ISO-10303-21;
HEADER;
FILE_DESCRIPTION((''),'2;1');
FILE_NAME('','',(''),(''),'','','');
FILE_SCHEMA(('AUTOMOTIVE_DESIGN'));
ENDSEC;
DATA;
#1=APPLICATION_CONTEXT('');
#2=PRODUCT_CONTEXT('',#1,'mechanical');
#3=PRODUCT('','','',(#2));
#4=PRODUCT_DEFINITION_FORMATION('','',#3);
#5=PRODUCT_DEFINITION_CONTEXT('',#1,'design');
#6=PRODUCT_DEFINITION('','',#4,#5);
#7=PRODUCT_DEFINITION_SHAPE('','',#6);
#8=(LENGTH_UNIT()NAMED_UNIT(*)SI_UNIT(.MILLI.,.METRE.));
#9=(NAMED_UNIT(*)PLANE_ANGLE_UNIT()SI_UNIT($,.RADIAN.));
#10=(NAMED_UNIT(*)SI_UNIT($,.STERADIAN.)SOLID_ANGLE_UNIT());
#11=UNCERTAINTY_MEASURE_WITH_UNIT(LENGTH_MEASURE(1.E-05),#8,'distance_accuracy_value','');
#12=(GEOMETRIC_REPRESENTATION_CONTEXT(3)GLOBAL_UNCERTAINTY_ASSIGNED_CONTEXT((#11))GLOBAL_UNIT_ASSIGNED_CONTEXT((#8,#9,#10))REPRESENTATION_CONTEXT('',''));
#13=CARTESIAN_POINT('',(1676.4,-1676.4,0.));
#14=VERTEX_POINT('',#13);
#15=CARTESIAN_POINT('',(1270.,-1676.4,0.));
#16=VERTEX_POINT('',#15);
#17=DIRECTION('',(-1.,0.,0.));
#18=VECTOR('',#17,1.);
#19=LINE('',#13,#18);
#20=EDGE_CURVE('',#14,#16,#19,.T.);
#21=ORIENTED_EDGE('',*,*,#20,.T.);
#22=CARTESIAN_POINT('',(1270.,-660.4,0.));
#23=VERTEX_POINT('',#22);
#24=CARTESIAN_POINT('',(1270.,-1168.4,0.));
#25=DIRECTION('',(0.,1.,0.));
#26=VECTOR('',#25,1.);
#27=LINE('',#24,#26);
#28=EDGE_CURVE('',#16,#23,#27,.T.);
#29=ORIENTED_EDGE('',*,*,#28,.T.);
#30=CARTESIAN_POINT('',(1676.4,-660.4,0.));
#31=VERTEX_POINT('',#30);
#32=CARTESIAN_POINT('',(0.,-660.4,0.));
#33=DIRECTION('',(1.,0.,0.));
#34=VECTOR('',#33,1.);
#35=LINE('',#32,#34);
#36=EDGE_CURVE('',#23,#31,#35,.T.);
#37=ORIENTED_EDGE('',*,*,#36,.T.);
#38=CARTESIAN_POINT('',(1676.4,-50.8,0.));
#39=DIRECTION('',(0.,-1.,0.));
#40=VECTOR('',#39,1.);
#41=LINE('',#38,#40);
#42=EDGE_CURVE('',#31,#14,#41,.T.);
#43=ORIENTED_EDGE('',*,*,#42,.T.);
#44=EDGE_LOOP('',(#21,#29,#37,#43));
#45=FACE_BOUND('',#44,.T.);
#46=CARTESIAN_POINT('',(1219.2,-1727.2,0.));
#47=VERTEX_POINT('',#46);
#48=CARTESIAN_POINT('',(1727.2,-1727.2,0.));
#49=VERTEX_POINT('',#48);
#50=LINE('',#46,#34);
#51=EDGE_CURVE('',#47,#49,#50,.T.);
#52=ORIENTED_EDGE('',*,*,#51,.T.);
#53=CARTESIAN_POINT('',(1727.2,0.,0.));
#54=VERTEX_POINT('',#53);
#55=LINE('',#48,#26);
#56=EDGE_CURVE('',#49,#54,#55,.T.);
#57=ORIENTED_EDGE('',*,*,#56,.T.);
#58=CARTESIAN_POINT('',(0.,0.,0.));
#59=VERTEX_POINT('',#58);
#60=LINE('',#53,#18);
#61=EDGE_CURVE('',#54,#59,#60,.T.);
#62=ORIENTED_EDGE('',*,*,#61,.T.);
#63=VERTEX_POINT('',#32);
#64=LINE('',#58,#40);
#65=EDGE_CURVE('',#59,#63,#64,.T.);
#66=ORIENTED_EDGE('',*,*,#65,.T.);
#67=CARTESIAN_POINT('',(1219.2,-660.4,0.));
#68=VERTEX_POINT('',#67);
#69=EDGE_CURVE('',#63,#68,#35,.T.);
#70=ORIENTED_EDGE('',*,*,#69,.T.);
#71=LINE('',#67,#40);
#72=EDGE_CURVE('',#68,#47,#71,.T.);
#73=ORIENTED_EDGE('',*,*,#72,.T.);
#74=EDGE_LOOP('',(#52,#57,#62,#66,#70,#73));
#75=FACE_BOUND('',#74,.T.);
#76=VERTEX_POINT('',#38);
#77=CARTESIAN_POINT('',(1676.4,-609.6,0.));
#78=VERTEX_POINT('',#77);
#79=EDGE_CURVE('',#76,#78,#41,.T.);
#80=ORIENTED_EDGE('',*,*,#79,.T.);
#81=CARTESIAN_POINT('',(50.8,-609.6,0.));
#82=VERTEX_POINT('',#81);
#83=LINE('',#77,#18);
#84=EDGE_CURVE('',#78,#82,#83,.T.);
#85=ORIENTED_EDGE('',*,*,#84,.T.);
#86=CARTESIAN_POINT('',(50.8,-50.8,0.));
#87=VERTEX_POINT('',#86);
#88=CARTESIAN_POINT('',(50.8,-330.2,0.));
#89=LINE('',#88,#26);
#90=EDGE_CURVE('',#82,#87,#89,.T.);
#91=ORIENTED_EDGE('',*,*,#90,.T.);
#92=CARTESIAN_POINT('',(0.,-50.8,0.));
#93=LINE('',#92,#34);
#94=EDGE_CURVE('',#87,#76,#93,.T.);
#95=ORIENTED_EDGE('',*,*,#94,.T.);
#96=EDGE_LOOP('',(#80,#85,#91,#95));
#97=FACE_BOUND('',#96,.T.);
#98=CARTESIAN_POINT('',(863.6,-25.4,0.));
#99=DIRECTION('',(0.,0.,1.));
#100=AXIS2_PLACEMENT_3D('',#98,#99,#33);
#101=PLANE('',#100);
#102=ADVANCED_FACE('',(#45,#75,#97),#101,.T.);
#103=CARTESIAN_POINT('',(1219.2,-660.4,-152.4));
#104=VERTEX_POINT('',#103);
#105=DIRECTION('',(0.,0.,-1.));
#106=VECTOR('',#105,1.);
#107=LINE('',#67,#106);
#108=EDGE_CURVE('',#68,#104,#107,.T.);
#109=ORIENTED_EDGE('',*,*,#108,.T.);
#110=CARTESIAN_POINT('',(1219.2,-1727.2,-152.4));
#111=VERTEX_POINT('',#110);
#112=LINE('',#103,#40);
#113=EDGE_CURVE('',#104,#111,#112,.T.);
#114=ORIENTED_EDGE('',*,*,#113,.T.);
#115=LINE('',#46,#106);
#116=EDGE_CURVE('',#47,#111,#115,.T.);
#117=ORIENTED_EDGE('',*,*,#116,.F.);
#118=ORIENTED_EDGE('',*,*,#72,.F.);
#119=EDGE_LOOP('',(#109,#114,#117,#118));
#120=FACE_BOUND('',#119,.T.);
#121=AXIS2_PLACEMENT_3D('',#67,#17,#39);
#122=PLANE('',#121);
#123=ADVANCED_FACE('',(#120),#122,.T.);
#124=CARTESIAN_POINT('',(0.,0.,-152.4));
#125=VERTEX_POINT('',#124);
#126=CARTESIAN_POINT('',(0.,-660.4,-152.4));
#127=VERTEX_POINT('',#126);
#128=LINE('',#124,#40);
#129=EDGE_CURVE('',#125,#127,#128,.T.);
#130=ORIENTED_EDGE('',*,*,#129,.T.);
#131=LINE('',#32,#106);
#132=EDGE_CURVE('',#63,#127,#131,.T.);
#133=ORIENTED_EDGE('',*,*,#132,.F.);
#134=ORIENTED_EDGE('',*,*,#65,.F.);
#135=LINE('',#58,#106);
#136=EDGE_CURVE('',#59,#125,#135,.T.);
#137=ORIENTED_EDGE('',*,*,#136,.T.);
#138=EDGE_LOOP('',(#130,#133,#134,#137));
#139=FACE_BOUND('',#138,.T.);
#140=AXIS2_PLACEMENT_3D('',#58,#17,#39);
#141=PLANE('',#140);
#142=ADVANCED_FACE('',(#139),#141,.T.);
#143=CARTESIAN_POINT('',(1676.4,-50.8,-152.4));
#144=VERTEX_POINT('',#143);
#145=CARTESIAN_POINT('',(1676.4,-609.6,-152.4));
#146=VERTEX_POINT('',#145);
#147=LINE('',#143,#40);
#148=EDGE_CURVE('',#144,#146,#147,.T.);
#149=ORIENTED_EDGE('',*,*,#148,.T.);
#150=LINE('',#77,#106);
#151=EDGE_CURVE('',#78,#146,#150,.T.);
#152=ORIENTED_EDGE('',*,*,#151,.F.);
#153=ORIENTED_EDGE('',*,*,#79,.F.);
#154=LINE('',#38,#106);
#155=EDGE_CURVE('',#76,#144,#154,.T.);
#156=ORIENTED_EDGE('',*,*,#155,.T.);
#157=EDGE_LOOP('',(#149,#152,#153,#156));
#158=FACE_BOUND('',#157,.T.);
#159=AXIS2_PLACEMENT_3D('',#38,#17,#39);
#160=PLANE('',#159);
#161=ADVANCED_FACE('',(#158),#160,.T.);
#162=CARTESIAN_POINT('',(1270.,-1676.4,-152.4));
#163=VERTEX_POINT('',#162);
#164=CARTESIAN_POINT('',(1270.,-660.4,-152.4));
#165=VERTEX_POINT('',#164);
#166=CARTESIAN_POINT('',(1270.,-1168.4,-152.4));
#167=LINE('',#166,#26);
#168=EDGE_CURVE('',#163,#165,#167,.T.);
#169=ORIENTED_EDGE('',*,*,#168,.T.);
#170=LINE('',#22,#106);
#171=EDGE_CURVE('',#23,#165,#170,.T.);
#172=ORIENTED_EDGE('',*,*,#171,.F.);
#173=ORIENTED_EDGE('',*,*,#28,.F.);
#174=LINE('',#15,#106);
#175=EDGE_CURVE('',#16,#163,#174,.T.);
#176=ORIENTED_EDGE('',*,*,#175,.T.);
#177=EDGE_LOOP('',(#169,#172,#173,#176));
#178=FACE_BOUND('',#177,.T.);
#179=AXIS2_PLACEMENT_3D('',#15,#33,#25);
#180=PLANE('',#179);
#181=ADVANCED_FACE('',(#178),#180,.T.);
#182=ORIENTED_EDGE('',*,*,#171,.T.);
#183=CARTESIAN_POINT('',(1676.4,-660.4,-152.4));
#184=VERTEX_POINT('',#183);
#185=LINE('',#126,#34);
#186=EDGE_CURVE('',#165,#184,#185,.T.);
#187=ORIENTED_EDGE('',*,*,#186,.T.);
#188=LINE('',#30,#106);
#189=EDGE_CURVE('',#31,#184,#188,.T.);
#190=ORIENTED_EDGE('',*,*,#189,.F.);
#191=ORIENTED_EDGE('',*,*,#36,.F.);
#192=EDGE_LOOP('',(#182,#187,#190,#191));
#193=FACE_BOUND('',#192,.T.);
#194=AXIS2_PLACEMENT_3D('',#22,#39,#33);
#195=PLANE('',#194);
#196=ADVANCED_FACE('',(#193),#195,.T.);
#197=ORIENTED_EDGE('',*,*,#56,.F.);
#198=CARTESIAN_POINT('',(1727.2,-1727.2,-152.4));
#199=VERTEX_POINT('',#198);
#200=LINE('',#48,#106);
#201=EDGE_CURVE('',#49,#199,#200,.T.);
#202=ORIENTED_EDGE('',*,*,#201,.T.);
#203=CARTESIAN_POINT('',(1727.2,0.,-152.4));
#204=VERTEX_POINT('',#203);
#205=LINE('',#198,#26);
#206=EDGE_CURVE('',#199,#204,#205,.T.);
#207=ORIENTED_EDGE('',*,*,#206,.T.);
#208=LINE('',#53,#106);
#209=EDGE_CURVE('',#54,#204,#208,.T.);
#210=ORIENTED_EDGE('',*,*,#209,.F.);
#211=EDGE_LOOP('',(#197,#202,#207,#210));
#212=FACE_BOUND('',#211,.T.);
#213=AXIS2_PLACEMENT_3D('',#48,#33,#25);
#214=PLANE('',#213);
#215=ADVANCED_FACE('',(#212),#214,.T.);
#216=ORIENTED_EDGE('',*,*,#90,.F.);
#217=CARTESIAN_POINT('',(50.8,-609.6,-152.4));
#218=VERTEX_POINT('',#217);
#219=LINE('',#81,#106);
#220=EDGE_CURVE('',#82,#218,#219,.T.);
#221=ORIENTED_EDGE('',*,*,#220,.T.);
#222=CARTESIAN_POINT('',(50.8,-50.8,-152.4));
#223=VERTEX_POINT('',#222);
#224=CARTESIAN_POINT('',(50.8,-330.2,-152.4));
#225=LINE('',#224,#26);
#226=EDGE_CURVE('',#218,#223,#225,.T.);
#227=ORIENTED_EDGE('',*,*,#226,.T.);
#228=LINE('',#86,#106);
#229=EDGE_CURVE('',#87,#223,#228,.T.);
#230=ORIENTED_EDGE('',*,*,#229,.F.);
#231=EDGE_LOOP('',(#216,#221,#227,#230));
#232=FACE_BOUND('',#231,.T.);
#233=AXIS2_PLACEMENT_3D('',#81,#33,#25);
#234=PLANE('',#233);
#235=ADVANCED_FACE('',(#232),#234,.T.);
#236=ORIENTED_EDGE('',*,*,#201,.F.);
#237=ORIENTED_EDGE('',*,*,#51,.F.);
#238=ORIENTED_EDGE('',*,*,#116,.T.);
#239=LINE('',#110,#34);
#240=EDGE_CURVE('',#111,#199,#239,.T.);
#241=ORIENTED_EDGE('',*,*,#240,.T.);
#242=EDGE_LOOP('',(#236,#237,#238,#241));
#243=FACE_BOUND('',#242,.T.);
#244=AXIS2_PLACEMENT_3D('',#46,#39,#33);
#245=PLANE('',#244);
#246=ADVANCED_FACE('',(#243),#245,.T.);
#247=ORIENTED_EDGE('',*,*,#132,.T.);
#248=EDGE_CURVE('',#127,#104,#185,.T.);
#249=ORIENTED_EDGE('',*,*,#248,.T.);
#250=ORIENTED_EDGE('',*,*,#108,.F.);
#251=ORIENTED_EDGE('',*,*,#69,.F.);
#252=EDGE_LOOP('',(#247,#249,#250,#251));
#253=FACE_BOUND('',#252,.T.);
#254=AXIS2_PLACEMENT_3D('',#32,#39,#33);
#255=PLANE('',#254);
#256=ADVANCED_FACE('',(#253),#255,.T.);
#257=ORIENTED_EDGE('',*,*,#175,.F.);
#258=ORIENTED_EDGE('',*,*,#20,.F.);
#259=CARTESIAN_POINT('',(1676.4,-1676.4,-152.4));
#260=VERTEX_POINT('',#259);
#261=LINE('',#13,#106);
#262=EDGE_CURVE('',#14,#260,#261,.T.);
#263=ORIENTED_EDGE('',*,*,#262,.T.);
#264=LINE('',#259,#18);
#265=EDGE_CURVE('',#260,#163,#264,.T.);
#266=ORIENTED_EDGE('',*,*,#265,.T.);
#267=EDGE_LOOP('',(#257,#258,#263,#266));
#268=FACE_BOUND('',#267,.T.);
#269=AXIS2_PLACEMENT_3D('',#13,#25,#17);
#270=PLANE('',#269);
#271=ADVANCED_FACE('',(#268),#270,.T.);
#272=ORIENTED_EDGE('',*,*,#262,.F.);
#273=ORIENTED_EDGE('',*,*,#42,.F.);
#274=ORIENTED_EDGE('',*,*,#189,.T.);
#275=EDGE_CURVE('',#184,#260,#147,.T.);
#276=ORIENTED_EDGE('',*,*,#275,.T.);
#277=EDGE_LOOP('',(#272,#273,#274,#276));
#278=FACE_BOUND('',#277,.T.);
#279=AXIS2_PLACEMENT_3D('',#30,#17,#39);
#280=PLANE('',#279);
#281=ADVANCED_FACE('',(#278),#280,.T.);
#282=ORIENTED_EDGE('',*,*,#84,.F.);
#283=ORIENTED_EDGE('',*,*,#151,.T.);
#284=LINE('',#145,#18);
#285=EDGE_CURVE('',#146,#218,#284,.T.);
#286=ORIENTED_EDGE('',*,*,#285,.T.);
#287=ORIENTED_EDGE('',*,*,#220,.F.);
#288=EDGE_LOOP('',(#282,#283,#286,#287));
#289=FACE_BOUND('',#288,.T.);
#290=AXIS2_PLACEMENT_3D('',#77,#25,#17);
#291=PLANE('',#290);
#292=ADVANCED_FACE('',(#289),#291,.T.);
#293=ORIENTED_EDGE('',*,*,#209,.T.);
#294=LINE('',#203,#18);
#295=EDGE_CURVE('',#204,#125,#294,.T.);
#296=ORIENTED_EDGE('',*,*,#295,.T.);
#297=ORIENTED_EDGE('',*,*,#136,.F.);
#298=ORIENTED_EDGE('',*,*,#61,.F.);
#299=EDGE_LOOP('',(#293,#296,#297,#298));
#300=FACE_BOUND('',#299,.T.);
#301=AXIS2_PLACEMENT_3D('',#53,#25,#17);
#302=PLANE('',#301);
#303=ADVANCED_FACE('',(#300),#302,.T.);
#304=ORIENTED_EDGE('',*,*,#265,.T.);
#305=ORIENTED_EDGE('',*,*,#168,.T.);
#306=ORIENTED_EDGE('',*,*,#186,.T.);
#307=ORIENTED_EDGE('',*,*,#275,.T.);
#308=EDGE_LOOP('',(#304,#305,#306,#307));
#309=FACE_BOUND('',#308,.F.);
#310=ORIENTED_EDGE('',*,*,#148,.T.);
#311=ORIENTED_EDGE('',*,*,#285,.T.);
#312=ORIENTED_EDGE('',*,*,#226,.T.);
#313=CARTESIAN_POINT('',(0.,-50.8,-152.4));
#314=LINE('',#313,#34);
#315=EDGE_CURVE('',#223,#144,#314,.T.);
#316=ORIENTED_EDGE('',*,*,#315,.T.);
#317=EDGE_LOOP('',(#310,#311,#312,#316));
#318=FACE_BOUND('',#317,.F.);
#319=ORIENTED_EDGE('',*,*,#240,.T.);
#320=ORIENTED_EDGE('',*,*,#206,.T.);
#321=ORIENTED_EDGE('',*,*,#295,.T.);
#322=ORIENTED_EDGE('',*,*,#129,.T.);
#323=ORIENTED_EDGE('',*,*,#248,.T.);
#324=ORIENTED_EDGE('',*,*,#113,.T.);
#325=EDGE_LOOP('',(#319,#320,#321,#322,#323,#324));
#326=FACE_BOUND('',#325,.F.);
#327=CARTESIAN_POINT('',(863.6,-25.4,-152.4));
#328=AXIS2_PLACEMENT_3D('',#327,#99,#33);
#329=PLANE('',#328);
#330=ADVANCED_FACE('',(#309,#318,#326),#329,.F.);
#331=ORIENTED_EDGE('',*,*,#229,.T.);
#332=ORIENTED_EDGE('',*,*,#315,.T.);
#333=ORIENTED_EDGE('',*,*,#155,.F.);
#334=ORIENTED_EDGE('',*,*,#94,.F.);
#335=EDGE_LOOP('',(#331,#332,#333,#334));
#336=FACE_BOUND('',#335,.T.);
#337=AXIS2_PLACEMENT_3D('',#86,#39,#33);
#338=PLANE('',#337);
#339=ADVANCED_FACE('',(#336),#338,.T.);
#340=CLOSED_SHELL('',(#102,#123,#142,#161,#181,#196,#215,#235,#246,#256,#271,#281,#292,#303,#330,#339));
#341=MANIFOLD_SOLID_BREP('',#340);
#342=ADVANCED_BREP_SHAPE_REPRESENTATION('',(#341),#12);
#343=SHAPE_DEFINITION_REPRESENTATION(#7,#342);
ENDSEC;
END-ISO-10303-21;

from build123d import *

# Parameters (mm, degrees)
F0_W     = 50.8
F0_H     = 558.8
F0_H_2   = 1016
F1_DEPTH = 152.4


with BuildPart() as f1:
    # F0 (on Top) → F1 (new body)
    with BuildSketch(Plane.XY):
        Polygon((1727.2, 0), (0, 0), (0, -50.8), (50.8, -50.8), (1676.4, -50.8), (1727.2, -50.8), align=None)
        Polygon((1727.2, -1676.4), (1727.2, -50.8), (1676.4, -50.8), (1676.4, -609.6), (1676.4, -660.4), (1676.4, -1676.4), align=None)
        with Locations((25.4, -330.2)):
            Rectangle(F0_W, F0_H)
        Polygon((50.8, -609.6), (0, -609.6), (0, -660.4), (1219.2, -660.4), (1270, -660.4), (1676.4, -660.4), (1676.4, -609.6), align=None)
        Polygon((1727.2, -1727.2), (1727.2, -1676.4), (1676.4, -1676.4), (1270, -1676.4), (1219.2, -1676.4), (1219.2, -1727.2), align=None)
        with Locations((1244.6, -1168.4)):
            Rectangle(F0_W, F0_H_2)
    extrude(amount=-F1_DEPTH)


solid = f1.part
